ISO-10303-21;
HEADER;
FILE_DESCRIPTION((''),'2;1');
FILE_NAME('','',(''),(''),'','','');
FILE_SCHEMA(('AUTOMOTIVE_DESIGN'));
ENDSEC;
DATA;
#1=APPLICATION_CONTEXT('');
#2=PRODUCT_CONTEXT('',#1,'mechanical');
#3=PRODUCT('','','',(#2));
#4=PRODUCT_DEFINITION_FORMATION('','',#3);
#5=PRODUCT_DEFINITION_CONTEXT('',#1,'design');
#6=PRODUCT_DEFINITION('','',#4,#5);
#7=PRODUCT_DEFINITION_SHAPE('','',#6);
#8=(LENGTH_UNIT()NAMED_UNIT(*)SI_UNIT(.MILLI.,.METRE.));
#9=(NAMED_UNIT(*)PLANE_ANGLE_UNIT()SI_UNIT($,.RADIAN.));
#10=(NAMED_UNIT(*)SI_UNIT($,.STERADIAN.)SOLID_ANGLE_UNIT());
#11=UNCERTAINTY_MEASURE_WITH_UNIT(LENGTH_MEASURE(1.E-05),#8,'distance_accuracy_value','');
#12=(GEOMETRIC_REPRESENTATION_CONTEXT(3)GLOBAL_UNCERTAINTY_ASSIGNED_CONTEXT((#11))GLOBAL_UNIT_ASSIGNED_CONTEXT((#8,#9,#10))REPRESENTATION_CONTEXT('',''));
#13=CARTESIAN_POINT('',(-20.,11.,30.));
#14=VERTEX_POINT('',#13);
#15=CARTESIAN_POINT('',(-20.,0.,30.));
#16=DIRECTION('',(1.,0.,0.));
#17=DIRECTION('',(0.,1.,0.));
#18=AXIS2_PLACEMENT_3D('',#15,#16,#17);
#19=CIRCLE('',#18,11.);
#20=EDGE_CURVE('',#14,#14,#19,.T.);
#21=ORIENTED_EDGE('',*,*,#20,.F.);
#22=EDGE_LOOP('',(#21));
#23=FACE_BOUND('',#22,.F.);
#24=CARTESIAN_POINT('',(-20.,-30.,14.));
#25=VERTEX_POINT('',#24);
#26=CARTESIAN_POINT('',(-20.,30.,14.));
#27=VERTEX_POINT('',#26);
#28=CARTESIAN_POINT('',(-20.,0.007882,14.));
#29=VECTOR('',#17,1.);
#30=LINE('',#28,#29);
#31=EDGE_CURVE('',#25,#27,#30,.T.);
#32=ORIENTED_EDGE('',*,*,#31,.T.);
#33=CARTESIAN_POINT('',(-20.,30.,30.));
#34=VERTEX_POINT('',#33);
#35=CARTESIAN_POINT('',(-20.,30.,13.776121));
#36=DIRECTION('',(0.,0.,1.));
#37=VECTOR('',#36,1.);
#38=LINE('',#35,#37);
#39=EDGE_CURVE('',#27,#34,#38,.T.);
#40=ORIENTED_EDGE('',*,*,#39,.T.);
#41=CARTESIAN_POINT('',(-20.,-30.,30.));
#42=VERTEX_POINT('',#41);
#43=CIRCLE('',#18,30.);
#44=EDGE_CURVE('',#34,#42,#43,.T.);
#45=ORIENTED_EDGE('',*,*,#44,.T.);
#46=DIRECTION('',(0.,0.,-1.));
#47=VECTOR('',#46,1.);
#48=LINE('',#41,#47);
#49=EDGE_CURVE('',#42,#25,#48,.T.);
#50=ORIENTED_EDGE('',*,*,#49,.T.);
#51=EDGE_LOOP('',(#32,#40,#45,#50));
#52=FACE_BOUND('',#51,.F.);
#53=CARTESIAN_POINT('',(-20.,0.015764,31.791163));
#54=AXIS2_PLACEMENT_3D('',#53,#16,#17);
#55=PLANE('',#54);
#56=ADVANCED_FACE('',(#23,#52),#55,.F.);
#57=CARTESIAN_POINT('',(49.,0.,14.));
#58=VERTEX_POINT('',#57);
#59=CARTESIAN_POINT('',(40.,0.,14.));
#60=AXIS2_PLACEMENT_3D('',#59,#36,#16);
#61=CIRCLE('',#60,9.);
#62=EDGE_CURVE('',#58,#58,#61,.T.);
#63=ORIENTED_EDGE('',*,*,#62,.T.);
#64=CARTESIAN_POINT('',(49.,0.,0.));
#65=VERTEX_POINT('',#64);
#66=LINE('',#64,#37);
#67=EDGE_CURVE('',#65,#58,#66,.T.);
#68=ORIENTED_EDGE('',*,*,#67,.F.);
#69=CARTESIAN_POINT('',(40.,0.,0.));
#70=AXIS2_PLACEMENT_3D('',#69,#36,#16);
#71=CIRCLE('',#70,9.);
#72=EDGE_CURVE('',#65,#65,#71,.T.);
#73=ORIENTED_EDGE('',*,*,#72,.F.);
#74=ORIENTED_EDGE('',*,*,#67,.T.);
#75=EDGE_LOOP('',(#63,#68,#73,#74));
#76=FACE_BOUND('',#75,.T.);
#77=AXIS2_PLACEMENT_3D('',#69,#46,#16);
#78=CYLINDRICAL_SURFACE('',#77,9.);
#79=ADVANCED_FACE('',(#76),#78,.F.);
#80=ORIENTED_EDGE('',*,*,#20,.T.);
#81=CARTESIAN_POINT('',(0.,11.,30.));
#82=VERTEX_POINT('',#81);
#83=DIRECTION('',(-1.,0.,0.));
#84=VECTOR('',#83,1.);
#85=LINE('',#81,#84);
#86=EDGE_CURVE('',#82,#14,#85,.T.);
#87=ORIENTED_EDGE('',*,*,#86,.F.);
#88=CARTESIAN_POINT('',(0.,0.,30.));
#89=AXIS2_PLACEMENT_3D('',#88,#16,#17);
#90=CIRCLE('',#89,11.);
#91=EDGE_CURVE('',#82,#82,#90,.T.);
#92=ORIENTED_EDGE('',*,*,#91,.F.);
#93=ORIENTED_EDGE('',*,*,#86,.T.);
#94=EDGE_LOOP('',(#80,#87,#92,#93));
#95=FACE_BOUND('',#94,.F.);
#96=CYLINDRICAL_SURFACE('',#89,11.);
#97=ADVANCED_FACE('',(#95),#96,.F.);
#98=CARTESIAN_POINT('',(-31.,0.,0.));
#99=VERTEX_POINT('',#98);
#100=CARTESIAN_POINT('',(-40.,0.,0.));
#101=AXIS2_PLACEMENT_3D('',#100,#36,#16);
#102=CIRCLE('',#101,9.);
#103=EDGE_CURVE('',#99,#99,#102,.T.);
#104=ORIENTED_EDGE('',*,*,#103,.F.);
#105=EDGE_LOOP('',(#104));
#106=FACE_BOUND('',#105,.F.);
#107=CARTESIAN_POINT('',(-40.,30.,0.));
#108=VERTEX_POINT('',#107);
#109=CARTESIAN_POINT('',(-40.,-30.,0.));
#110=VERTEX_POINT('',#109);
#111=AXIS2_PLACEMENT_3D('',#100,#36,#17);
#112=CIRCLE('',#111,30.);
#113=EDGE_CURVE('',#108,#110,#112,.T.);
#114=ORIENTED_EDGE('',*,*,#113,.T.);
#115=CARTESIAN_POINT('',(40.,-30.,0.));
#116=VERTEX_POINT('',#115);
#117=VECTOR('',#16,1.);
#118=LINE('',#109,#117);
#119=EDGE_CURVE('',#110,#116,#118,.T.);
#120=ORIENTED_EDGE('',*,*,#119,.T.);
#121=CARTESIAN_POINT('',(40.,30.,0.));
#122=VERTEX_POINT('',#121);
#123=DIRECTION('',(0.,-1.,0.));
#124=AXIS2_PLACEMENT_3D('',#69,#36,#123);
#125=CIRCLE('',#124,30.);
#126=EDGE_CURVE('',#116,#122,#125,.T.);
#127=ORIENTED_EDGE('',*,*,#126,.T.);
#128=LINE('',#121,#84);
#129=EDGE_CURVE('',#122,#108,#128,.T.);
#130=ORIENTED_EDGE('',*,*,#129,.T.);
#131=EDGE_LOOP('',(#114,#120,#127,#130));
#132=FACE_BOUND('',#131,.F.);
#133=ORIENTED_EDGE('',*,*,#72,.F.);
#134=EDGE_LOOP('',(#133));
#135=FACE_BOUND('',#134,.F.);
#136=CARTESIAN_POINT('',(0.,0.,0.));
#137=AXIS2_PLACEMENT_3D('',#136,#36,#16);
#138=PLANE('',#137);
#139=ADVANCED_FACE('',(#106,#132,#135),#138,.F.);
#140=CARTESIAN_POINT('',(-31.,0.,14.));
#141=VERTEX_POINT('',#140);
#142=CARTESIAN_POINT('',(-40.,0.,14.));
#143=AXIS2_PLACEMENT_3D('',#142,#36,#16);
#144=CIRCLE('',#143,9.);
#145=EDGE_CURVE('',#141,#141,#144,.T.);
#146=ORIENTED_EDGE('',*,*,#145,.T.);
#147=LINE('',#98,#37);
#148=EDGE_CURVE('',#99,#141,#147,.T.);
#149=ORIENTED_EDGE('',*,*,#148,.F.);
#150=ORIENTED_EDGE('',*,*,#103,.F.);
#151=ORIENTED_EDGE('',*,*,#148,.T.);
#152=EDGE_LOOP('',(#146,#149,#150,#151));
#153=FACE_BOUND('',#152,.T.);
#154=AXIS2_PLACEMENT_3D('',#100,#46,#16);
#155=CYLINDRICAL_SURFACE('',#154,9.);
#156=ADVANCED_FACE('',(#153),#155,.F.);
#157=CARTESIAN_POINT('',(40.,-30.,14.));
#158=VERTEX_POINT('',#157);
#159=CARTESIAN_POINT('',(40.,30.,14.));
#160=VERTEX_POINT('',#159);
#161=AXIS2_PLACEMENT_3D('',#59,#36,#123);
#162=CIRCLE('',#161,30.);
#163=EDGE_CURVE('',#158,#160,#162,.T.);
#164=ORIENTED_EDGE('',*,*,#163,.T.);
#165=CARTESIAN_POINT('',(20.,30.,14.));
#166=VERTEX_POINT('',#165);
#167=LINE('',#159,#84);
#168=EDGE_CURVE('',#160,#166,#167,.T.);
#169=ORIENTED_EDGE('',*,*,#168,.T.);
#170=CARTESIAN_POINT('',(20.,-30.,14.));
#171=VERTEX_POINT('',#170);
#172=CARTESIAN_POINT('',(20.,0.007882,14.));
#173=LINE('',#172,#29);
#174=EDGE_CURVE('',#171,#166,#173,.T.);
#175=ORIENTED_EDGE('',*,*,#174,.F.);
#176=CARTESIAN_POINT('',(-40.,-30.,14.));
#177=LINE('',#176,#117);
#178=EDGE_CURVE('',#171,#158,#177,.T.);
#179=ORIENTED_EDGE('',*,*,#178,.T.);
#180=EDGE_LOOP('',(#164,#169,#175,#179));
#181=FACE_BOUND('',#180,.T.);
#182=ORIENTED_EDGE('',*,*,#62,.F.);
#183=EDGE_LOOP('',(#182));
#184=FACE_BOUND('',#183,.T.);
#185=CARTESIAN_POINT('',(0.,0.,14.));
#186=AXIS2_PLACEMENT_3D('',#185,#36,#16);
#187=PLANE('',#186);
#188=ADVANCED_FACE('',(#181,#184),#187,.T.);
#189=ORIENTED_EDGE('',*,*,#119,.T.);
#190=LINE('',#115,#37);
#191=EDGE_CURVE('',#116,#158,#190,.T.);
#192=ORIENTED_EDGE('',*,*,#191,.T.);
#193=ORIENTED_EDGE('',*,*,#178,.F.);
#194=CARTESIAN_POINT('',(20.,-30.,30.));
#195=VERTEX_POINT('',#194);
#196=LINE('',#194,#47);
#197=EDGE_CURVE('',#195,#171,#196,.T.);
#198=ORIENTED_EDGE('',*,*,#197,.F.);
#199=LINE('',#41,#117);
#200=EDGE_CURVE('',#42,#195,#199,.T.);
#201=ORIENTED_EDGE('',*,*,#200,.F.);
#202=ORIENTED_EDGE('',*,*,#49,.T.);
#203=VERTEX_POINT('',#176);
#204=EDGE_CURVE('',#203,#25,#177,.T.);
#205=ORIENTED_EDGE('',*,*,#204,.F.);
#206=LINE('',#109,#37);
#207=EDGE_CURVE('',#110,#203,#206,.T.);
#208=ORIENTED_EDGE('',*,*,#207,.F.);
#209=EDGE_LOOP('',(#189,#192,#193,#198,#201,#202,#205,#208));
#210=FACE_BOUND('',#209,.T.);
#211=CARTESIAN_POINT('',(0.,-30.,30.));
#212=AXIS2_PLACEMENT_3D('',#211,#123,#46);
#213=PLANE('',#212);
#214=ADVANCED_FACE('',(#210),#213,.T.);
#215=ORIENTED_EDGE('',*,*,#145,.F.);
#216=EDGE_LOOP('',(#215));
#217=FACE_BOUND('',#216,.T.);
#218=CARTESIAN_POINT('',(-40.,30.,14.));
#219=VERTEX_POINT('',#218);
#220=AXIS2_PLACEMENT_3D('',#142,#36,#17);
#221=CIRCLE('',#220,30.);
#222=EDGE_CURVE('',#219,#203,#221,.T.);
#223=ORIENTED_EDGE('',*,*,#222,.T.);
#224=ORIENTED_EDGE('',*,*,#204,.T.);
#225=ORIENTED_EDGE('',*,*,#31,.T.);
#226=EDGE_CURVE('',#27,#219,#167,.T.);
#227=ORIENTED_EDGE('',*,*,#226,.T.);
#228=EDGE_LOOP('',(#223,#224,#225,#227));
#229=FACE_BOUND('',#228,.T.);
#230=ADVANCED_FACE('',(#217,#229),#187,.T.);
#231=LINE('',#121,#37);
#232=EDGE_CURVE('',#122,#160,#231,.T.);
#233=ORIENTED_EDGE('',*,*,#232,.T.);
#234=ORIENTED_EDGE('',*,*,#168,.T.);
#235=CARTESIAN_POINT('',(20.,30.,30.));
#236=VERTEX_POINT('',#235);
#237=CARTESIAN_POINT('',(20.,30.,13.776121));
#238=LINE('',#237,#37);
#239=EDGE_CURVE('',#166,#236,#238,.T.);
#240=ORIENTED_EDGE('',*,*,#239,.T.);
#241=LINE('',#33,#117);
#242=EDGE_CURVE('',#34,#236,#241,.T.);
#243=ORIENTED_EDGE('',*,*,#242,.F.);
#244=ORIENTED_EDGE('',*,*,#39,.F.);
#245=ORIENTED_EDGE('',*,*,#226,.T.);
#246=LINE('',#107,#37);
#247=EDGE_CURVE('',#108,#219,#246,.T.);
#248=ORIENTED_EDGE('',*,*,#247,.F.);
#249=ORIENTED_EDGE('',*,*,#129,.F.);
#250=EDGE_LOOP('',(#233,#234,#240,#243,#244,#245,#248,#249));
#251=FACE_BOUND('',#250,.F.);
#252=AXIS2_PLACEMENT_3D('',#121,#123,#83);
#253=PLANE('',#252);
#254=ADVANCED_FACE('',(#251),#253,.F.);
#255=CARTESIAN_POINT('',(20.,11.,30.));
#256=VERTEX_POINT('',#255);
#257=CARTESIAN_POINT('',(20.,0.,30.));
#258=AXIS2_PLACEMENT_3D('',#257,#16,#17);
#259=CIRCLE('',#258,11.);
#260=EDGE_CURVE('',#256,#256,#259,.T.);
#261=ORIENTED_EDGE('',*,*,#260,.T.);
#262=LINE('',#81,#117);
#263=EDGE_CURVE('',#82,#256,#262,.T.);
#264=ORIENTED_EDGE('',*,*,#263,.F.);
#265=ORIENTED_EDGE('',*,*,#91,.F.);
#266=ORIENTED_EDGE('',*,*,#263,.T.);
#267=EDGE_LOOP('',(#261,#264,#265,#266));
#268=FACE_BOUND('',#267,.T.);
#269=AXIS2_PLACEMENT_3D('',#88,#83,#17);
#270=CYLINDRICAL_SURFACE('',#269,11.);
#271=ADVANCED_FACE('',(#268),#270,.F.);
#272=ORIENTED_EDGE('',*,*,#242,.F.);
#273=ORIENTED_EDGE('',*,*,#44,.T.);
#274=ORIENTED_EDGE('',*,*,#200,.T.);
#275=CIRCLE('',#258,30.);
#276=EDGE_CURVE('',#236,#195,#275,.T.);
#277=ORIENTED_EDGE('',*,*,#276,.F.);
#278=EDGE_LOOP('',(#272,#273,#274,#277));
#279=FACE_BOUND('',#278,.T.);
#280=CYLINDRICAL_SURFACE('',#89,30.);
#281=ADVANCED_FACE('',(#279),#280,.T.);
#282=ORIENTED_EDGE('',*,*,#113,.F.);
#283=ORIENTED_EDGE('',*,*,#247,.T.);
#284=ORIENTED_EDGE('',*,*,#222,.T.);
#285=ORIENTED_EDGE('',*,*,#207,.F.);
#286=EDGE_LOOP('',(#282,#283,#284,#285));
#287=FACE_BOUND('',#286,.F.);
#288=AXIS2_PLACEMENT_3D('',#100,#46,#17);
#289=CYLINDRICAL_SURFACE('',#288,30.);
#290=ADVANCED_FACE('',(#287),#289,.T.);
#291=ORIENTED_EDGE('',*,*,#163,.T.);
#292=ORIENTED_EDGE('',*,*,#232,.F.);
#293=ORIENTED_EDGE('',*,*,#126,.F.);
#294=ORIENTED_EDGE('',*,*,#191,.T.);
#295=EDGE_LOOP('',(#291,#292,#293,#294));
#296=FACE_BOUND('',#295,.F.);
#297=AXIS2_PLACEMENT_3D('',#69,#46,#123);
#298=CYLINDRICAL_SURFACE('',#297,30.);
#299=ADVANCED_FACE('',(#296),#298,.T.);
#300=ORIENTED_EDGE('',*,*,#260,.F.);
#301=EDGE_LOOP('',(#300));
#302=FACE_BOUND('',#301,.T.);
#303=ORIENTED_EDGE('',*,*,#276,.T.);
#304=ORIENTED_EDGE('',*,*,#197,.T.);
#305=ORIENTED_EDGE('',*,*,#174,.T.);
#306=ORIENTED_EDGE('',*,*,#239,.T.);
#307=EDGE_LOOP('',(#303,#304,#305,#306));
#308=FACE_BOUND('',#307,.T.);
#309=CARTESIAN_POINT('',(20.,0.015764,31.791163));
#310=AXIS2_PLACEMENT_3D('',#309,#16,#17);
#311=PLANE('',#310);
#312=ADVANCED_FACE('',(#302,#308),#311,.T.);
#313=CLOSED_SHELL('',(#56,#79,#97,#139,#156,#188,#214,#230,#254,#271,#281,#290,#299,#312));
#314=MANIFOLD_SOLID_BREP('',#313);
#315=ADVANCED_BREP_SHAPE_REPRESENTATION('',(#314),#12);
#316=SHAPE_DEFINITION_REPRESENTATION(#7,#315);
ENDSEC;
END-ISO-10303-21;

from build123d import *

# Parameters (mm, degrees)
F0_R          = 9
F1_DEPTH      = 14
F2_R          = 11
F3_DEPTH      = 20
F3_DEPTH_BACK = 20


with BuildPart() as f1:
    # F0 (on Top) → F1 (new body)
    with BuildSketch(Plane.XY):
        with BuildLine():
            Line((40, 30), (-40, 30))
            ThreePointArc((-40, 30), (-70, 0), (-40, -30))
            Line((-40, -30), (40, -30))
            ThreePointArc((40, -30), (70, 0), (40, 30))
        make_face()
        with Locations((-40, 0)):
            Circle(F0_R, mode=Mode.SUBTRACT)
        with Locations((40, 0)):
            Circle(F0_R, mode=Mode.SUBTRACT)
    extrude(amount=F1_DEPTH)

    # F2 (on Right) → F3 (join, two sides)
    with BuildSketch(Plane.YZ) as f3_sk:
        with BuildLine():
            Line((30, 13.776121), (30, 30))
            ThreePointArc((30, 30), (0, 60), (-30, 30))
            Line((-30, 30), (-30, 13.871942))
            Line((-30, 13.871942), (30, 13.776121))
        make_face()
        with Locations((0, 30)):
            Circle(F2_R, mode=Mode.SUBTRACT)
    extrude(amount=F3_DEPTH)
    extrude(f3_sk.sketch, amount=-F3_DEPTH_BACK)


solid = f1.part
